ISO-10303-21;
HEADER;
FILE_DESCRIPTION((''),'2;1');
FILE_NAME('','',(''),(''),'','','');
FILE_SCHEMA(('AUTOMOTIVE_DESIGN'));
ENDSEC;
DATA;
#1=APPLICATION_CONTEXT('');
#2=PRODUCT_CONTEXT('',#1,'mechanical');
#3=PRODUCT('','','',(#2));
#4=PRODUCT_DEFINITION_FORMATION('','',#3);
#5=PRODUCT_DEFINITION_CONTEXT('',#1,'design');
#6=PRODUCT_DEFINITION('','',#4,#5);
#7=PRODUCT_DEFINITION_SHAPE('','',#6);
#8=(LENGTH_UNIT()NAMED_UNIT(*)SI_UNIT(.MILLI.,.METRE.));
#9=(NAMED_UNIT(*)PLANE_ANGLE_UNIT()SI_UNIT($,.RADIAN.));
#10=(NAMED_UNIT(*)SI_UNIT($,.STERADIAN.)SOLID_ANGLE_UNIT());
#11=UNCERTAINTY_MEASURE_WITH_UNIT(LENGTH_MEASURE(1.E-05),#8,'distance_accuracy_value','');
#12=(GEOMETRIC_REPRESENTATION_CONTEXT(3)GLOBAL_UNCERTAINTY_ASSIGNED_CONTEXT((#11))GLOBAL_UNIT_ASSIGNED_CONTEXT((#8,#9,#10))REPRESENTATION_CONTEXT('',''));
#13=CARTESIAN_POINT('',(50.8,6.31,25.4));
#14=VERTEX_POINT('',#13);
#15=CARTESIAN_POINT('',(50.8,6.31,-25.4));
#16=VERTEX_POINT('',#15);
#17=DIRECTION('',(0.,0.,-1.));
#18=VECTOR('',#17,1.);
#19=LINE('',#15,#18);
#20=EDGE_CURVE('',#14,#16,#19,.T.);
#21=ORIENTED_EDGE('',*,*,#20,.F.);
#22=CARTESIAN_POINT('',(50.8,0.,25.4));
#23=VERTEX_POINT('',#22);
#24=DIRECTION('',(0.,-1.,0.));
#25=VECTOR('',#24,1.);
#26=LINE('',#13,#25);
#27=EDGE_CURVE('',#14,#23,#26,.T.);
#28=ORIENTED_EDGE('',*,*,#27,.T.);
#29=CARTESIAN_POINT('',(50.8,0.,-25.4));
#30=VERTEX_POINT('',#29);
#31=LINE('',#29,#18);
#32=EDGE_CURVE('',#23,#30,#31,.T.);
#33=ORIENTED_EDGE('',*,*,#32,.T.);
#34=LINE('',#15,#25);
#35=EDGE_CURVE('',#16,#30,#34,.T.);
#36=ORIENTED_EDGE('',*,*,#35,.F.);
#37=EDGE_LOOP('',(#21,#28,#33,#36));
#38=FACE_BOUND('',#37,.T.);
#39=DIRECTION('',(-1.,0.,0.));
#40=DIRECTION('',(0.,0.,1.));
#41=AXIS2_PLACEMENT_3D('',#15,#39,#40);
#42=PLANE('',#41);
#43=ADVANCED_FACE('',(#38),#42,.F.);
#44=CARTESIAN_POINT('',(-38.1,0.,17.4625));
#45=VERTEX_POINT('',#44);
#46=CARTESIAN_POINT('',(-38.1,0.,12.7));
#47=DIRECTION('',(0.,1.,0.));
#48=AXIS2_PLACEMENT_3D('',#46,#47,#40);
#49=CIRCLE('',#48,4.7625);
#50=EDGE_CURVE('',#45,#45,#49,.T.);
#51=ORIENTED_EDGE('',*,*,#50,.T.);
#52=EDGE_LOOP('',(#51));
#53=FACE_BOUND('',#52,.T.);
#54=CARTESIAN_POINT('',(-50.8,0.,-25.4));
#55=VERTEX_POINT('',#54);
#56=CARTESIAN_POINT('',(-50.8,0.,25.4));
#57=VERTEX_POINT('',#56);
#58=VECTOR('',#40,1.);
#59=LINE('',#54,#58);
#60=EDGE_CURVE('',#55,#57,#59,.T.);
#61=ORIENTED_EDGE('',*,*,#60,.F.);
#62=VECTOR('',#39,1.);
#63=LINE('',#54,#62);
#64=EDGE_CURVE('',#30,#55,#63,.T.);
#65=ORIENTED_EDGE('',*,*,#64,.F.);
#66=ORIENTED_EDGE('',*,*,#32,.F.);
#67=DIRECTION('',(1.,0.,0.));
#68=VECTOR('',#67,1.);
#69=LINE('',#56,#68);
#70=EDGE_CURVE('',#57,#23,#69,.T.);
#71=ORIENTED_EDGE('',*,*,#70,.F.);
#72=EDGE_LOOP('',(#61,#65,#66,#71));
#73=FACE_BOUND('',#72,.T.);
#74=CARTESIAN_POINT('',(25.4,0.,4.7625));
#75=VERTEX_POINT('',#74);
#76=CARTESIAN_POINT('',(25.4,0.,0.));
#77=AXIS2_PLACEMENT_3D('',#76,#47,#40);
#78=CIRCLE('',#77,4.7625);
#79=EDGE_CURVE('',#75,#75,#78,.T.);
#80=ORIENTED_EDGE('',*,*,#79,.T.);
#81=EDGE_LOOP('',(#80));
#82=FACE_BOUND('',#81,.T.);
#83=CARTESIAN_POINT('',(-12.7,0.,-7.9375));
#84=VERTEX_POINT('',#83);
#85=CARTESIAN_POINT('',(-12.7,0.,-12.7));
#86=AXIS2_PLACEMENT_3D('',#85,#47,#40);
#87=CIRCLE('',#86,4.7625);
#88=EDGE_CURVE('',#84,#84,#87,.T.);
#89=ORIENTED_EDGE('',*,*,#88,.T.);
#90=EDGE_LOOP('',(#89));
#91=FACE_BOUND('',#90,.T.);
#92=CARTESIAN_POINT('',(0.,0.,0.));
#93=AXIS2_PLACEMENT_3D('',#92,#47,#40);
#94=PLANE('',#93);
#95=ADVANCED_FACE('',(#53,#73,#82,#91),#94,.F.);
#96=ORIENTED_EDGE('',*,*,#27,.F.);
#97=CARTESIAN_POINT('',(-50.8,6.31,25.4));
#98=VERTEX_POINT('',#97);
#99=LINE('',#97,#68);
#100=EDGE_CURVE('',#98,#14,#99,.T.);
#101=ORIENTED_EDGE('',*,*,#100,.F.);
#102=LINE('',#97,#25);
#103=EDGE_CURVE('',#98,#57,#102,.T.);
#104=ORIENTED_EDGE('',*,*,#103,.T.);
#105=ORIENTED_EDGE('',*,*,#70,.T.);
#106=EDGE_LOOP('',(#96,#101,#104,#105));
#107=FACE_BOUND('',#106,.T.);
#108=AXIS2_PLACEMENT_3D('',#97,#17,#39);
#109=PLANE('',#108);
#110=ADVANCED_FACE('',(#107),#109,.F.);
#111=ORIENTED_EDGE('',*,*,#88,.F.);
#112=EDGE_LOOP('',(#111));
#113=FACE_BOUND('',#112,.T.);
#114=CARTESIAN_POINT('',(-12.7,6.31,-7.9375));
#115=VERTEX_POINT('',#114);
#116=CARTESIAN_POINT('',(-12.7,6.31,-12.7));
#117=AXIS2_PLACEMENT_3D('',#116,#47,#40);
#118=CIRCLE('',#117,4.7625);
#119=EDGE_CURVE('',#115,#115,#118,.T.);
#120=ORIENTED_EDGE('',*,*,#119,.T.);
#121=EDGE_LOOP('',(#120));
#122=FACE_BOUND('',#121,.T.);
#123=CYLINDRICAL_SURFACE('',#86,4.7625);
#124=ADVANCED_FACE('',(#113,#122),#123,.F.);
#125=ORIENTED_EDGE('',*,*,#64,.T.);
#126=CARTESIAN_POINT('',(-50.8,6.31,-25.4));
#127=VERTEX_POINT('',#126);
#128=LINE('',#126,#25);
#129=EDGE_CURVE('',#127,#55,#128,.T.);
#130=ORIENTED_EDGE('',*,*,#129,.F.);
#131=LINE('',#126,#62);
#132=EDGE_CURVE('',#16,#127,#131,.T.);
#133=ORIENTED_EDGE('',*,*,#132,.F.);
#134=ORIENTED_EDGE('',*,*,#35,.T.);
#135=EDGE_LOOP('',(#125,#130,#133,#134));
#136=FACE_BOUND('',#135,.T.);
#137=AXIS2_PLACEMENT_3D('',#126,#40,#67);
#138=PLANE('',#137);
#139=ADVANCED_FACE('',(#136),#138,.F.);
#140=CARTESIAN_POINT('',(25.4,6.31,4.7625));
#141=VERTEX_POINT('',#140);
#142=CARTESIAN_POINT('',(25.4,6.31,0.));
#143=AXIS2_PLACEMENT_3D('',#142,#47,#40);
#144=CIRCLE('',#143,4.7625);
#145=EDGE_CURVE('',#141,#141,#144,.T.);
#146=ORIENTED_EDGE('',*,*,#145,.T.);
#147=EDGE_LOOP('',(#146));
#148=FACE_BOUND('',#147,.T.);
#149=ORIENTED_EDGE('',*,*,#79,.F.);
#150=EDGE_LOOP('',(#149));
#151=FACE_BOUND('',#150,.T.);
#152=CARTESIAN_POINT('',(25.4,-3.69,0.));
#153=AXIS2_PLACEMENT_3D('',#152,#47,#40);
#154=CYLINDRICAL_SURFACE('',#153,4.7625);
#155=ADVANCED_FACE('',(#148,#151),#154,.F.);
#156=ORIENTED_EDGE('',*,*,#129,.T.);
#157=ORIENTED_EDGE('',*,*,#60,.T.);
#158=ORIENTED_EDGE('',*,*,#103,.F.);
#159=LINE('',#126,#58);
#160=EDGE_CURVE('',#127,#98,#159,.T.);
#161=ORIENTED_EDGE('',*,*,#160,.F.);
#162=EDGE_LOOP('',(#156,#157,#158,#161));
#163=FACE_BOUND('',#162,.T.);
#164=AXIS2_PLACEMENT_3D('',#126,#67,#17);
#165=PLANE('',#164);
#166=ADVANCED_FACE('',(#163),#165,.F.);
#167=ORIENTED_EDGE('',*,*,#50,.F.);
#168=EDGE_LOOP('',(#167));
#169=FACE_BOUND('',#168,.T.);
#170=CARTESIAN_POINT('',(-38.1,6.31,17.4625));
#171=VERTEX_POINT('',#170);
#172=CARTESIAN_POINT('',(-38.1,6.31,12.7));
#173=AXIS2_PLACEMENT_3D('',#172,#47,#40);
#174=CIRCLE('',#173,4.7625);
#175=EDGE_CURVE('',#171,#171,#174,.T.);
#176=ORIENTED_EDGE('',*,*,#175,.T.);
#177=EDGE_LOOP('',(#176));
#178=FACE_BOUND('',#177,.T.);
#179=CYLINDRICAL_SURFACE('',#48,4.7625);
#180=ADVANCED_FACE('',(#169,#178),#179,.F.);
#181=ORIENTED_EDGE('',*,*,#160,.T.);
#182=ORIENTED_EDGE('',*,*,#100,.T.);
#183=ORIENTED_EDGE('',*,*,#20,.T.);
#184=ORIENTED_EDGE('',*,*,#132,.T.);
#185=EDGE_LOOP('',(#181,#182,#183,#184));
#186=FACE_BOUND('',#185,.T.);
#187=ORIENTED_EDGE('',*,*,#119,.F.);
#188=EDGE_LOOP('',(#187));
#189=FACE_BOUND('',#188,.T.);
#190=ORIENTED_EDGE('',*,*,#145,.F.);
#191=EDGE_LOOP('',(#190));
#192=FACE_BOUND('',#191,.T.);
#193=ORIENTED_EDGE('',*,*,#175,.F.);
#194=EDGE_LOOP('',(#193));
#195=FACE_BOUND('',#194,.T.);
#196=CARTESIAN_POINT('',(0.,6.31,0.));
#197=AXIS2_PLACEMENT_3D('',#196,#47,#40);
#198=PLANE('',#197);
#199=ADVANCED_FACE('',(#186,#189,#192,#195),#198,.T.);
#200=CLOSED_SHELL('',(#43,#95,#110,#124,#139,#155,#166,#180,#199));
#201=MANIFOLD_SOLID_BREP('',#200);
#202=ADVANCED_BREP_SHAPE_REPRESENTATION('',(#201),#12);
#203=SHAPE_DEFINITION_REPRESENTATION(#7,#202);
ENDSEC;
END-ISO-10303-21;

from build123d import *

# Parameters (mm, degrees)
CROQUIS1_W              = 101.6
CROQUIS1_H              = 50.8
SALIENTE_EXTRUIR1_DEPTH = 6.31
CROQUIS2_R              = 4.7625
CORTAR_EXTRUIR1_DEPTH   = 6.31
CROQUIS3_R              = 4.7625
CORTAR_EXTRUIR2_DEPTH   = 10


with BuildPart() as part:
    # Croquis1 → Saliente-Extruir1 (new body)
    with BuildSketch(Plane(origin=(0, 0, 0), x_dir=(1, 0, 0), z_dir=(0, 1, 0))):
        Rectangle(CROQUIS1_W, CROQUIS1_H)
    extrude(amount=SALIENTE_EXTRUIR1_DEPTH)

    # Croquis2 → Cortar-Extruir1 (cut)
    with BuildSketch(Plane(origin=(0, 6.31, 0), x_dir=(1, 0, 0), z_dir=(0, 1, 0))):
        with Locations(Location((-38.1, -12.7, 0), (0, 0, 270))):
            Circle(CROQUIS2_R)
        with Locations(Location((-12.7, 12.7, 0), (0, 0, 270))):
            Circle(CROQUIS2_R)
    extrude(amount=-CORTAR_EXTRUIR1_DEPTH, mode=Mode.SUBTRACT)

    # Croquis3 → Cortar-Extruir2 (cut)
    with BuildSketch(Plane(origin=(0, 6.31, 0), x_dir=(1, 0, 0), z_dir=(0, 1, 0))):
        with Locations(Location((25.4, 0, 0), (0, 0, 270))):
            Circle(CROQUIS3_R)
    extrude(amount=-CORTAR_EXTRUIR2_DEPTH, mode=Mode.SUBTRACT)


solid = part.part
